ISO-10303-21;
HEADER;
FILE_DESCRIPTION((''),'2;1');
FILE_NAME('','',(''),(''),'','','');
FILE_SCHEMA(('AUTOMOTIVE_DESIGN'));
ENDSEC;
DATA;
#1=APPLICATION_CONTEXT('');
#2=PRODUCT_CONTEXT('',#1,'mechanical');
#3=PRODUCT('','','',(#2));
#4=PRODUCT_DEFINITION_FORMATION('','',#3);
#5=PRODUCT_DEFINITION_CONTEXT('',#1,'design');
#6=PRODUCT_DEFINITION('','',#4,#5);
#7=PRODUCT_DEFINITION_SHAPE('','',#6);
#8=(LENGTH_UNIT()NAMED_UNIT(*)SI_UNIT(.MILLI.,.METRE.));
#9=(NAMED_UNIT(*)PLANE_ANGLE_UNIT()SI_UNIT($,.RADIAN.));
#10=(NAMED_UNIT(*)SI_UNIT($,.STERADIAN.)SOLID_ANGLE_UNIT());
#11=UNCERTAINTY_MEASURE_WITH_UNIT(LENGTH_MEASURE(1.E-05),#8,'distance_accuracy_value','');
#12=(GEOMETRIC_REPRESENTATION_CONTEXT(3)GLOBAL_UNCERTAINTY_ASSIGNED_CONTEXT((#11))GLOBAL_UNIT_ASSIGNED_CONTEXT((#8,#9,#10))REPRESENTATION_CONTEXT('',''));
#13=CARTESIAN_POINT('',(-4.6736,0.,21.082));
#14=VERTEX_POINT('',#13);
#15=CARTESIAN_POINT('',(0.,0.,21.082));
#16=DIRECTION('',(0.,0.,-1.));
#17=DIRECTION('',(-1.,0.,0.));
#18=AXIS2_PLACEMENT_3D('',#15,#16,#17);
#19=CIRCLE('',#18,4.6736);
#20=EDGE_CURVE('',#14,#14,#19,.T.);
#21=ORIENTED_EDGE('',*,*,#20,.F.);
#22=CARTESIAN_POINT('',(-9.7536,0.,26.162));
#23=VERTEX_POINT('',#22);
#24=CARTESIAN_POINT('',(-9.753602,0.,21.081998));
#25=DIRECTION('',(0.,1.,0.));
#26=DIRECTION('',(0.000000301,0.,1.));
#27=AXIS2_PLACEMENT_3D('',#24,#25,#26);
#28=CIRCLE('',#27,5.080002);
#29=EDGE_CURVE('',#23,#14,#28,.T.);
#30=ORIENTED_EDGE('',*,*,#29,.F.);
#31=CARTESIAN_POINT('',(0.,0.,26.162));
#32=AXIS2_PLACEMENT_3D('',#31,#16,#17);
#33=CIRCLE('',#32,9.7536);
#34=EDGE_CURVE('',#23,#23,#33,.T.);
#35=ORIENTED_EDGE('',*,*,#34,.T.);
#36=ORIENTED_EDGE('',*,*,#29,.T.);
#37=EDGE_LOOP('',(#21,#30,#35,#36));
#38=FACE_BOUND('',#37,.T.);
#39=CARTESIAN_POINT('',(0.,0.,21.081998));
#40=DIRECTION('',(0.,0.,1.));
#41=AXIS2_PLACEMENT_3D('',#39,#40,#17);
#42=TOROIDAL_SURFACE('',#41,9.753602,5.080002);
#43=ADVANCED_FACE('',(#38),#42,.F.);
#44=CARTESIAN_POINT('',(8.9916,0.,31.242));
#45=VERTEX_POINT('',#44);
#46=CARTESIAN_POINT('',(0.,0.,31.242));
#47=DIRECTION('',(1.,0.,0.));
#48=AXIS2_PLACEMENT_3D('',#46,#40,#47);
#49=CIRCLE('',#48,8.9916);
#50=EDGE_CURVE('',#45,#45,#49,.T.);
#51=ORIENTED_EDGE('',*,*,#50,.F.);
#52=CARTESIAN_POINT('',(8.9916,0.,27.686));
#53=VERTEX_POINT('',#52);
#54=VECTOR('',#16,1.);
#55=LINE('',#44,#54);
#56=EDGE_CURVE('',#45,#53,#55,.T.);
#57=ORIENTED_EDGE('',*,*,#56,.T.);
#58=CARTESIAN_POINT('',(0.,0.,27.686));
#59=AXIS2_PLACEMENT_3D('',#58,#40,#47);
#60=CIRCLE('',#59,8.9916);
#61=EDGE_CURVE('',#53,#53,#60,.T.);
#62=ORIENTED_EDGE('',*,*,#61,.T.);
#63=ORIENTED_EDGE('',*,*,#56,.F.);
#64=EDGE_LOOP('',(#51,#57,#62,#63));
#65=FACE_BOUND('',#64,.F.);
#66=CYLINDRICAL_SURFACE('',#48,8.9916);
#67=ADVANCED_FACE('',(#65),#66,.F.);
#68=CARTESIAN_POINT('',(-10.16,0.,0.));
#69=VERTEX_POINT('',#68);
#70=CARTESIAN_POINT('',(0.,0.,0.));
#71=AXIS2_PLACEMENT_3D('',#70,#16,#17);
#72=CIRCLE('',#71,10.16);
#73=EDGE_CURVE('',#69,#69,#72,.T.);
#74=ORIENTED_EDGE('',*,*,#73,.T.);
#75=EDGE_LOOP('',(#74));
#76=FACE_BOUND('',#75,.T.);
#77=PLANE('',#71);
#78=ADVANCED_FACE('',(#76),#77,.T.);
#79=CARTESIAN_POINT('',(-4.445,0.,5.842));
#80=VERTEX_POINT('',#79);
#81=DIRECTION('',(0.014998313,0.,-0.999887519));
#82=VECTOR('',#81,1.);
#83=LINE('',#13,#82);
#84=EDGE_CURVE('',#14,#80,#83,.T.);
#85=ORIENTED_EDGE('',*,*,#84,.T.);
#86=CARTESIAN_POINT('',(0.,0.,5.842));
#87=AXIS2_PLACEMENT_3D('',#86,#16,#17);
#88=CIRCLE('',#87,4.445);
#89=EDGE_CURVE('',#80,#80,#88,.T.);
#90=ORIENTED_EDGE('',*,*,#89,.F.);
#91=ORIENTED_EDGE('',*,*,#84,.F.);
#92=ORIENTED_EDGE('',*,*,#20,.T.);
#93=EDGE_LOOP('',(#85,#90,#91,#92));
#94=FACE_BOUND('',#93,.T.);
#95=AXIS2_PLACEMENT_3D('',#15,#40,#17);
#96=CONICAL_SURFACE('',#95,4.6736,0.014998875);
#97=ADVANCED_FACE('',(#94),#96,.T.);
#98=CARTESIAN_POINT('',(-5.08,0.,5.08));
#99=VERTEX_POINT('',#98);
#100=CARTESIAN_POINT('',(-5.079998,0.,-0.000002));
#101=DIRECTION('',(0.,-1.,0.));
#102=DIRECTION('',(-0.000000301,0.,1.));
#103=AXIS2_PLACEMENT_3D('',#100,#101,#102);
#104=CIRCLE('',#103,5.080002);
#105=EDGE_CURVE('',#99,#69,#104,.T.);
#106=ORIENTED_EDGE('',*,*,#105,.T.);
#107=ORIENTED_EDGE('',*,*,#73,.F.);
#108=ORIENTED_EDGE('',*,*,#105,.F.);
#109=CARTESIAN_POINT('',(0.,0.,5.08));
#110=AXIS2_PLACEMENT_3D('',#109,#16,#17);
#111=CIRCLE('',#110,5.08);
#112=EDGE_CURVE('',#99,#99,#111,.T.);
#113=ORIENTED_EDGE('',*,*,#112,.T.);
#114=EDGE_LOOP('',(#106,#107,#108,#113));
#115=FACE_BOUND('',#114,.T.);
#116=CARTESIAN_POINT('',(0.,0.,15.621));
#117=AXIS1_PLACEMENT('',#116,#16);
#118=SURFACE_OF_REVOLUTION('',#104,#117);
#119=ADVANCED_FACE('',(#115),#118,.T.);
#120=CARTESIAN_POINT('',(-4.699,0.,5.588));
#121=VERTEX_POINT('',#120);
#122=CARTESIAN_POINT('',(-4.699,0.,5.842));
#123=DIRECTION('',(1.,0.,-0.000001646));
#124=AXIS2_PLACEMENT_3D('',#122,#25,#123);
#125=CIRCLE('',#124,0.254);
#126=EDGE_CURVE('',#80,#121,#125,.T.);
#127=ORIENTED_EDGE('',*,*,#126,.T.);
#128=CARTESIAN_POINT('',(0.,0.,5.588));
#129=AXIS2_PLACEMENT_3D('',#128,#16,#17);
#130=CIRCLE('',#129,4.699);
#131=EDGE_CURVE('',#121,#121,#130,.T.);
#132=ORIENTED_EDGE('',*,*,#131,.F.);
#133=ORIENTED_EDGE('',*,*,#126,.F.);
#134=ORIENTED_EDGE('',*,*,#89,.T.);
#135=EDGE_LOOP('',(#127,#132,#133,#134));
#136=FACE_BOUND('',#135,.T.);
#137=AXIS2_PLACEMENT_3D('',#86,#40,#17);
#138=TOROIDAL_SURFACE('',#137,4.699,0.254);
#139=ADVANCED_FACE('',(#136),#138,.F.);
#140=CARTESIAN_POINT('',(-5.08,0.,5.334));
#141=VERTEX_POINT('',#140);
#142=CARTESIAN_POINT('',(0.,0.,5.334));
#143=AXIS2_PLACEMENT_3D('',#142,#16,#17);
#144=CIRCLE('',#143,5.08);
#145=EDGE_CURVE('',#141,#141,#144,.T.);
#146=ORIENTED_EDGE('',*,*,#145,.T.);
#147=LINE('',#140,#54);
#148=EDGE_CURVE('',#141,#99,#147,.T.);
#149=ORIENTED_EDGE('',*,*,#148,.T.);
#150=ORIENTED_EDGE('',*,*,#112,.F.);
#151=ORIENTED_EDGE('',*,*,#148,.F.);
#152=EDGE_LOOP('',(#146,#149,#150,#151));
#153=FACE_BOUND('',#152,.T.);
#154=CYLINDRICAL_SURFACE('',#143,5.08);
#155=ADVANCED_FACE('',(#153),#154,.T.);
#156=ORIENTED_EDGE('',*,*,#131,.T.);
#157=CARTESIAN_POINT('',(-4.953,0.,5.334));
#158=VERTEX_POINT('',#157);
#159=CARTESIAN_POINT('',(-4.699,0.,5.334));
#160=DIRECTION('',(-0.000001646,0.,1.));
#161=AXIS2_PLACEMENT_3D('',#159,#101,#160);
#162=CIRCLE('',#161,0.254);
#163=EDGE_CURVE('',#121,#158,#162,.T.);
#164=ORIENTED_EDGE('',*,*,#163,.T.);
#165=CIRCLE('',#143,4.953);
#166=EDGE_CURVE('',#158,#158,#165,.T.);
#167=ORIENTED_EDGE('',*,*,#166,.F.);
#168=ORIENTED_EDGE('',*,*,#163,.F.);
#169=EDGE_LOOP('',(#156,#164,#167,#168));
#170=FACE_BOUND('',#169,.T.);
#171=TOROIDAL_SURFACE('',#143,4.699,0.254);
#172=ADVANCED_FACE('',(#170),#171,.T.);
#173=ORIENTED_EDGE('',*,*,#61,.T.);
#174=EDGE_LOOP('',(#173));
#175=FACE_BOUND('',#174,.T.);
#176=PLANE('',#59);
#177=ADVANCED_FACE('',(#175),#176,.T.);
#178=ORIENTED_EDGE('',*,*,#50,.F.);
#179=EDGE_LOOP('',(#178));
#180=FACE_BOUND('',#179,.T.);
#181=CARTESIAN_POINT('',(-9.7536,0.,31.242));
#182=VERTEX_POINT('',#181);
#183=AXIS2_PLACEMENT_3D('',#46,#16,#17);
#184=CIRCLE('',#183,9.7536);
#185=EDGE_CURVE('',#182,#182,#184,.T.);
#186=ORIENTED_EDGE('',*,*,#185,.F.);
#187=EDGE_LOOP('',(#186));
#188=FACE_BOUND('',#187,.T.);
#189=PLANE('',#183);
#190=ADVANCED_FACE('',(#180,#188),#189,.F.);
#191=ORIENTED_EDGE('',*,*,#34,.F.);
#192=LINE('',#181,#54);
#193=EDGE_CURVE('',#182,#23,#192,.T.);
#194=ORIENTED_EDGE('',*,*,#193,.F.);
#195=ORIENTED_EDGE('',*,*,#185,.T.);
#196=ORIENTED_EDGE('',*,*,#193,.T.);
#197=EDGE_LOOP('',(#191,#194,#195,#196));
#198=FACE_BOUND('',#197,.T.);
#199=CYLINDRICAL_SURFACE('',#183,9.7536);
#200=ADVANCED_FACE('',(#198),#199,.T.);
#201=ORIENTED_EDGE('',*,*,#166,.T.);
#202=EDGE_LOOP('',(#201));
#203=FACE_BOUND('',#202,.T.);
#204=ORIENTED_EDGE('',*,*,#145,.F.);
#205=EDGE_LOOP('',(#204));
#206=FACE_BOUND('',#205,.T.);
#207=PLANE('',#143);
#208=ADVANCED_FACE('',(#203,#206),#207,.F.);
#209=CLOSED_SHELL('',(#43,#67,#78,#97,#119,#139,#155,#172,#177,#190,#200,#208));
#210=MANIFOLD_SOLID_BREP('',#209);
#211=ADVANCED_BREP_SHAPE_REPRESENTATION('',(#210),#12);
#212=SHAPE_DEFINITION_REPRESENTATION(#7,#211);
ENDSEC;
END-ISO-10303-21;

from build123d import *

# Parameters (mm, degrees)
F2_R     = 8.9916
F3_DEPTH = 3.556
F5_DEPTH = 1.778


with BuildPart() as f1:
    # F0 (on Front) → F1 (revolve)
    with BuildSketch(Plane.XZ):
        with BuildLine():
            Line((-10.16, 0), (0, 0))
            Line((0, 0), (0, 31.242))
            Line((0, 31.242), (-9.7536, 31.242))
            Line((-9.7536, 31.242), (-9.7536, 26.162))
            ThreePointArc((-9.7536, 26.162), (-6.161498, 24.674102), (-4.6736, 21.082))
            Line((-4.6736, 21.082), (-4.445, 5.842))
            ThreePointArc((-4.445, 5.842), (-4.519395, 5.662395), (-4.699, 5.588))
            ThreePointArc((-4.699, 5.588), (-4.878605, 5.513605), (-4.953, 5.334))
            Line((-4.953, 5.334), (-5.08, 5.334))
            Line((-5.08, 5.334), (-5.08, 5.08))
            ThreePointArc((-5.08, 5.08), (-8.672102, 3.592102), (-10.16, 0))
        make_face()
    revolve(axis=Axis((0, 0, 15.621), (0, 0, -1)))

    # F2 (on face) → F3 (cut)
    with BuildSketch(Plane.XY.offset(31.242)):
        Circle(F2_R)
    extrude(amount=-F3_DEPTH, mode=Mode.SUBTRACT)

    # F4 (on face) → F5 (cut)
    with BuildSketch(Plane.XY.offset(31.242)):
        Polygon((-0.508, -0.508), (-0.508, 0), (-0.508, 0.508), (-8.064261, 0.508), (-8.064261, -0.508), align=None)
        Polygon((-0.508, 6.998243), (-0.508, 0.508), (0, 0.508), (0.508, 0.508), (0.508, 6.998243), align=None)
        Polygon((0, -0.508), (-0.508, -0.508), (-0.508, -7.178504), (0.508, -7.178504), (0.508, -0.508), align=None)
        Polygon((0.508, 0.508), (0.508, 0), (0.508, -0.508), (7.389117, -0.508), (7.389117, 0.508), align=None)
    extrude(amount=-F5_DEPTH, mode=Mode.SUBTRACT)


solid = f1.part
